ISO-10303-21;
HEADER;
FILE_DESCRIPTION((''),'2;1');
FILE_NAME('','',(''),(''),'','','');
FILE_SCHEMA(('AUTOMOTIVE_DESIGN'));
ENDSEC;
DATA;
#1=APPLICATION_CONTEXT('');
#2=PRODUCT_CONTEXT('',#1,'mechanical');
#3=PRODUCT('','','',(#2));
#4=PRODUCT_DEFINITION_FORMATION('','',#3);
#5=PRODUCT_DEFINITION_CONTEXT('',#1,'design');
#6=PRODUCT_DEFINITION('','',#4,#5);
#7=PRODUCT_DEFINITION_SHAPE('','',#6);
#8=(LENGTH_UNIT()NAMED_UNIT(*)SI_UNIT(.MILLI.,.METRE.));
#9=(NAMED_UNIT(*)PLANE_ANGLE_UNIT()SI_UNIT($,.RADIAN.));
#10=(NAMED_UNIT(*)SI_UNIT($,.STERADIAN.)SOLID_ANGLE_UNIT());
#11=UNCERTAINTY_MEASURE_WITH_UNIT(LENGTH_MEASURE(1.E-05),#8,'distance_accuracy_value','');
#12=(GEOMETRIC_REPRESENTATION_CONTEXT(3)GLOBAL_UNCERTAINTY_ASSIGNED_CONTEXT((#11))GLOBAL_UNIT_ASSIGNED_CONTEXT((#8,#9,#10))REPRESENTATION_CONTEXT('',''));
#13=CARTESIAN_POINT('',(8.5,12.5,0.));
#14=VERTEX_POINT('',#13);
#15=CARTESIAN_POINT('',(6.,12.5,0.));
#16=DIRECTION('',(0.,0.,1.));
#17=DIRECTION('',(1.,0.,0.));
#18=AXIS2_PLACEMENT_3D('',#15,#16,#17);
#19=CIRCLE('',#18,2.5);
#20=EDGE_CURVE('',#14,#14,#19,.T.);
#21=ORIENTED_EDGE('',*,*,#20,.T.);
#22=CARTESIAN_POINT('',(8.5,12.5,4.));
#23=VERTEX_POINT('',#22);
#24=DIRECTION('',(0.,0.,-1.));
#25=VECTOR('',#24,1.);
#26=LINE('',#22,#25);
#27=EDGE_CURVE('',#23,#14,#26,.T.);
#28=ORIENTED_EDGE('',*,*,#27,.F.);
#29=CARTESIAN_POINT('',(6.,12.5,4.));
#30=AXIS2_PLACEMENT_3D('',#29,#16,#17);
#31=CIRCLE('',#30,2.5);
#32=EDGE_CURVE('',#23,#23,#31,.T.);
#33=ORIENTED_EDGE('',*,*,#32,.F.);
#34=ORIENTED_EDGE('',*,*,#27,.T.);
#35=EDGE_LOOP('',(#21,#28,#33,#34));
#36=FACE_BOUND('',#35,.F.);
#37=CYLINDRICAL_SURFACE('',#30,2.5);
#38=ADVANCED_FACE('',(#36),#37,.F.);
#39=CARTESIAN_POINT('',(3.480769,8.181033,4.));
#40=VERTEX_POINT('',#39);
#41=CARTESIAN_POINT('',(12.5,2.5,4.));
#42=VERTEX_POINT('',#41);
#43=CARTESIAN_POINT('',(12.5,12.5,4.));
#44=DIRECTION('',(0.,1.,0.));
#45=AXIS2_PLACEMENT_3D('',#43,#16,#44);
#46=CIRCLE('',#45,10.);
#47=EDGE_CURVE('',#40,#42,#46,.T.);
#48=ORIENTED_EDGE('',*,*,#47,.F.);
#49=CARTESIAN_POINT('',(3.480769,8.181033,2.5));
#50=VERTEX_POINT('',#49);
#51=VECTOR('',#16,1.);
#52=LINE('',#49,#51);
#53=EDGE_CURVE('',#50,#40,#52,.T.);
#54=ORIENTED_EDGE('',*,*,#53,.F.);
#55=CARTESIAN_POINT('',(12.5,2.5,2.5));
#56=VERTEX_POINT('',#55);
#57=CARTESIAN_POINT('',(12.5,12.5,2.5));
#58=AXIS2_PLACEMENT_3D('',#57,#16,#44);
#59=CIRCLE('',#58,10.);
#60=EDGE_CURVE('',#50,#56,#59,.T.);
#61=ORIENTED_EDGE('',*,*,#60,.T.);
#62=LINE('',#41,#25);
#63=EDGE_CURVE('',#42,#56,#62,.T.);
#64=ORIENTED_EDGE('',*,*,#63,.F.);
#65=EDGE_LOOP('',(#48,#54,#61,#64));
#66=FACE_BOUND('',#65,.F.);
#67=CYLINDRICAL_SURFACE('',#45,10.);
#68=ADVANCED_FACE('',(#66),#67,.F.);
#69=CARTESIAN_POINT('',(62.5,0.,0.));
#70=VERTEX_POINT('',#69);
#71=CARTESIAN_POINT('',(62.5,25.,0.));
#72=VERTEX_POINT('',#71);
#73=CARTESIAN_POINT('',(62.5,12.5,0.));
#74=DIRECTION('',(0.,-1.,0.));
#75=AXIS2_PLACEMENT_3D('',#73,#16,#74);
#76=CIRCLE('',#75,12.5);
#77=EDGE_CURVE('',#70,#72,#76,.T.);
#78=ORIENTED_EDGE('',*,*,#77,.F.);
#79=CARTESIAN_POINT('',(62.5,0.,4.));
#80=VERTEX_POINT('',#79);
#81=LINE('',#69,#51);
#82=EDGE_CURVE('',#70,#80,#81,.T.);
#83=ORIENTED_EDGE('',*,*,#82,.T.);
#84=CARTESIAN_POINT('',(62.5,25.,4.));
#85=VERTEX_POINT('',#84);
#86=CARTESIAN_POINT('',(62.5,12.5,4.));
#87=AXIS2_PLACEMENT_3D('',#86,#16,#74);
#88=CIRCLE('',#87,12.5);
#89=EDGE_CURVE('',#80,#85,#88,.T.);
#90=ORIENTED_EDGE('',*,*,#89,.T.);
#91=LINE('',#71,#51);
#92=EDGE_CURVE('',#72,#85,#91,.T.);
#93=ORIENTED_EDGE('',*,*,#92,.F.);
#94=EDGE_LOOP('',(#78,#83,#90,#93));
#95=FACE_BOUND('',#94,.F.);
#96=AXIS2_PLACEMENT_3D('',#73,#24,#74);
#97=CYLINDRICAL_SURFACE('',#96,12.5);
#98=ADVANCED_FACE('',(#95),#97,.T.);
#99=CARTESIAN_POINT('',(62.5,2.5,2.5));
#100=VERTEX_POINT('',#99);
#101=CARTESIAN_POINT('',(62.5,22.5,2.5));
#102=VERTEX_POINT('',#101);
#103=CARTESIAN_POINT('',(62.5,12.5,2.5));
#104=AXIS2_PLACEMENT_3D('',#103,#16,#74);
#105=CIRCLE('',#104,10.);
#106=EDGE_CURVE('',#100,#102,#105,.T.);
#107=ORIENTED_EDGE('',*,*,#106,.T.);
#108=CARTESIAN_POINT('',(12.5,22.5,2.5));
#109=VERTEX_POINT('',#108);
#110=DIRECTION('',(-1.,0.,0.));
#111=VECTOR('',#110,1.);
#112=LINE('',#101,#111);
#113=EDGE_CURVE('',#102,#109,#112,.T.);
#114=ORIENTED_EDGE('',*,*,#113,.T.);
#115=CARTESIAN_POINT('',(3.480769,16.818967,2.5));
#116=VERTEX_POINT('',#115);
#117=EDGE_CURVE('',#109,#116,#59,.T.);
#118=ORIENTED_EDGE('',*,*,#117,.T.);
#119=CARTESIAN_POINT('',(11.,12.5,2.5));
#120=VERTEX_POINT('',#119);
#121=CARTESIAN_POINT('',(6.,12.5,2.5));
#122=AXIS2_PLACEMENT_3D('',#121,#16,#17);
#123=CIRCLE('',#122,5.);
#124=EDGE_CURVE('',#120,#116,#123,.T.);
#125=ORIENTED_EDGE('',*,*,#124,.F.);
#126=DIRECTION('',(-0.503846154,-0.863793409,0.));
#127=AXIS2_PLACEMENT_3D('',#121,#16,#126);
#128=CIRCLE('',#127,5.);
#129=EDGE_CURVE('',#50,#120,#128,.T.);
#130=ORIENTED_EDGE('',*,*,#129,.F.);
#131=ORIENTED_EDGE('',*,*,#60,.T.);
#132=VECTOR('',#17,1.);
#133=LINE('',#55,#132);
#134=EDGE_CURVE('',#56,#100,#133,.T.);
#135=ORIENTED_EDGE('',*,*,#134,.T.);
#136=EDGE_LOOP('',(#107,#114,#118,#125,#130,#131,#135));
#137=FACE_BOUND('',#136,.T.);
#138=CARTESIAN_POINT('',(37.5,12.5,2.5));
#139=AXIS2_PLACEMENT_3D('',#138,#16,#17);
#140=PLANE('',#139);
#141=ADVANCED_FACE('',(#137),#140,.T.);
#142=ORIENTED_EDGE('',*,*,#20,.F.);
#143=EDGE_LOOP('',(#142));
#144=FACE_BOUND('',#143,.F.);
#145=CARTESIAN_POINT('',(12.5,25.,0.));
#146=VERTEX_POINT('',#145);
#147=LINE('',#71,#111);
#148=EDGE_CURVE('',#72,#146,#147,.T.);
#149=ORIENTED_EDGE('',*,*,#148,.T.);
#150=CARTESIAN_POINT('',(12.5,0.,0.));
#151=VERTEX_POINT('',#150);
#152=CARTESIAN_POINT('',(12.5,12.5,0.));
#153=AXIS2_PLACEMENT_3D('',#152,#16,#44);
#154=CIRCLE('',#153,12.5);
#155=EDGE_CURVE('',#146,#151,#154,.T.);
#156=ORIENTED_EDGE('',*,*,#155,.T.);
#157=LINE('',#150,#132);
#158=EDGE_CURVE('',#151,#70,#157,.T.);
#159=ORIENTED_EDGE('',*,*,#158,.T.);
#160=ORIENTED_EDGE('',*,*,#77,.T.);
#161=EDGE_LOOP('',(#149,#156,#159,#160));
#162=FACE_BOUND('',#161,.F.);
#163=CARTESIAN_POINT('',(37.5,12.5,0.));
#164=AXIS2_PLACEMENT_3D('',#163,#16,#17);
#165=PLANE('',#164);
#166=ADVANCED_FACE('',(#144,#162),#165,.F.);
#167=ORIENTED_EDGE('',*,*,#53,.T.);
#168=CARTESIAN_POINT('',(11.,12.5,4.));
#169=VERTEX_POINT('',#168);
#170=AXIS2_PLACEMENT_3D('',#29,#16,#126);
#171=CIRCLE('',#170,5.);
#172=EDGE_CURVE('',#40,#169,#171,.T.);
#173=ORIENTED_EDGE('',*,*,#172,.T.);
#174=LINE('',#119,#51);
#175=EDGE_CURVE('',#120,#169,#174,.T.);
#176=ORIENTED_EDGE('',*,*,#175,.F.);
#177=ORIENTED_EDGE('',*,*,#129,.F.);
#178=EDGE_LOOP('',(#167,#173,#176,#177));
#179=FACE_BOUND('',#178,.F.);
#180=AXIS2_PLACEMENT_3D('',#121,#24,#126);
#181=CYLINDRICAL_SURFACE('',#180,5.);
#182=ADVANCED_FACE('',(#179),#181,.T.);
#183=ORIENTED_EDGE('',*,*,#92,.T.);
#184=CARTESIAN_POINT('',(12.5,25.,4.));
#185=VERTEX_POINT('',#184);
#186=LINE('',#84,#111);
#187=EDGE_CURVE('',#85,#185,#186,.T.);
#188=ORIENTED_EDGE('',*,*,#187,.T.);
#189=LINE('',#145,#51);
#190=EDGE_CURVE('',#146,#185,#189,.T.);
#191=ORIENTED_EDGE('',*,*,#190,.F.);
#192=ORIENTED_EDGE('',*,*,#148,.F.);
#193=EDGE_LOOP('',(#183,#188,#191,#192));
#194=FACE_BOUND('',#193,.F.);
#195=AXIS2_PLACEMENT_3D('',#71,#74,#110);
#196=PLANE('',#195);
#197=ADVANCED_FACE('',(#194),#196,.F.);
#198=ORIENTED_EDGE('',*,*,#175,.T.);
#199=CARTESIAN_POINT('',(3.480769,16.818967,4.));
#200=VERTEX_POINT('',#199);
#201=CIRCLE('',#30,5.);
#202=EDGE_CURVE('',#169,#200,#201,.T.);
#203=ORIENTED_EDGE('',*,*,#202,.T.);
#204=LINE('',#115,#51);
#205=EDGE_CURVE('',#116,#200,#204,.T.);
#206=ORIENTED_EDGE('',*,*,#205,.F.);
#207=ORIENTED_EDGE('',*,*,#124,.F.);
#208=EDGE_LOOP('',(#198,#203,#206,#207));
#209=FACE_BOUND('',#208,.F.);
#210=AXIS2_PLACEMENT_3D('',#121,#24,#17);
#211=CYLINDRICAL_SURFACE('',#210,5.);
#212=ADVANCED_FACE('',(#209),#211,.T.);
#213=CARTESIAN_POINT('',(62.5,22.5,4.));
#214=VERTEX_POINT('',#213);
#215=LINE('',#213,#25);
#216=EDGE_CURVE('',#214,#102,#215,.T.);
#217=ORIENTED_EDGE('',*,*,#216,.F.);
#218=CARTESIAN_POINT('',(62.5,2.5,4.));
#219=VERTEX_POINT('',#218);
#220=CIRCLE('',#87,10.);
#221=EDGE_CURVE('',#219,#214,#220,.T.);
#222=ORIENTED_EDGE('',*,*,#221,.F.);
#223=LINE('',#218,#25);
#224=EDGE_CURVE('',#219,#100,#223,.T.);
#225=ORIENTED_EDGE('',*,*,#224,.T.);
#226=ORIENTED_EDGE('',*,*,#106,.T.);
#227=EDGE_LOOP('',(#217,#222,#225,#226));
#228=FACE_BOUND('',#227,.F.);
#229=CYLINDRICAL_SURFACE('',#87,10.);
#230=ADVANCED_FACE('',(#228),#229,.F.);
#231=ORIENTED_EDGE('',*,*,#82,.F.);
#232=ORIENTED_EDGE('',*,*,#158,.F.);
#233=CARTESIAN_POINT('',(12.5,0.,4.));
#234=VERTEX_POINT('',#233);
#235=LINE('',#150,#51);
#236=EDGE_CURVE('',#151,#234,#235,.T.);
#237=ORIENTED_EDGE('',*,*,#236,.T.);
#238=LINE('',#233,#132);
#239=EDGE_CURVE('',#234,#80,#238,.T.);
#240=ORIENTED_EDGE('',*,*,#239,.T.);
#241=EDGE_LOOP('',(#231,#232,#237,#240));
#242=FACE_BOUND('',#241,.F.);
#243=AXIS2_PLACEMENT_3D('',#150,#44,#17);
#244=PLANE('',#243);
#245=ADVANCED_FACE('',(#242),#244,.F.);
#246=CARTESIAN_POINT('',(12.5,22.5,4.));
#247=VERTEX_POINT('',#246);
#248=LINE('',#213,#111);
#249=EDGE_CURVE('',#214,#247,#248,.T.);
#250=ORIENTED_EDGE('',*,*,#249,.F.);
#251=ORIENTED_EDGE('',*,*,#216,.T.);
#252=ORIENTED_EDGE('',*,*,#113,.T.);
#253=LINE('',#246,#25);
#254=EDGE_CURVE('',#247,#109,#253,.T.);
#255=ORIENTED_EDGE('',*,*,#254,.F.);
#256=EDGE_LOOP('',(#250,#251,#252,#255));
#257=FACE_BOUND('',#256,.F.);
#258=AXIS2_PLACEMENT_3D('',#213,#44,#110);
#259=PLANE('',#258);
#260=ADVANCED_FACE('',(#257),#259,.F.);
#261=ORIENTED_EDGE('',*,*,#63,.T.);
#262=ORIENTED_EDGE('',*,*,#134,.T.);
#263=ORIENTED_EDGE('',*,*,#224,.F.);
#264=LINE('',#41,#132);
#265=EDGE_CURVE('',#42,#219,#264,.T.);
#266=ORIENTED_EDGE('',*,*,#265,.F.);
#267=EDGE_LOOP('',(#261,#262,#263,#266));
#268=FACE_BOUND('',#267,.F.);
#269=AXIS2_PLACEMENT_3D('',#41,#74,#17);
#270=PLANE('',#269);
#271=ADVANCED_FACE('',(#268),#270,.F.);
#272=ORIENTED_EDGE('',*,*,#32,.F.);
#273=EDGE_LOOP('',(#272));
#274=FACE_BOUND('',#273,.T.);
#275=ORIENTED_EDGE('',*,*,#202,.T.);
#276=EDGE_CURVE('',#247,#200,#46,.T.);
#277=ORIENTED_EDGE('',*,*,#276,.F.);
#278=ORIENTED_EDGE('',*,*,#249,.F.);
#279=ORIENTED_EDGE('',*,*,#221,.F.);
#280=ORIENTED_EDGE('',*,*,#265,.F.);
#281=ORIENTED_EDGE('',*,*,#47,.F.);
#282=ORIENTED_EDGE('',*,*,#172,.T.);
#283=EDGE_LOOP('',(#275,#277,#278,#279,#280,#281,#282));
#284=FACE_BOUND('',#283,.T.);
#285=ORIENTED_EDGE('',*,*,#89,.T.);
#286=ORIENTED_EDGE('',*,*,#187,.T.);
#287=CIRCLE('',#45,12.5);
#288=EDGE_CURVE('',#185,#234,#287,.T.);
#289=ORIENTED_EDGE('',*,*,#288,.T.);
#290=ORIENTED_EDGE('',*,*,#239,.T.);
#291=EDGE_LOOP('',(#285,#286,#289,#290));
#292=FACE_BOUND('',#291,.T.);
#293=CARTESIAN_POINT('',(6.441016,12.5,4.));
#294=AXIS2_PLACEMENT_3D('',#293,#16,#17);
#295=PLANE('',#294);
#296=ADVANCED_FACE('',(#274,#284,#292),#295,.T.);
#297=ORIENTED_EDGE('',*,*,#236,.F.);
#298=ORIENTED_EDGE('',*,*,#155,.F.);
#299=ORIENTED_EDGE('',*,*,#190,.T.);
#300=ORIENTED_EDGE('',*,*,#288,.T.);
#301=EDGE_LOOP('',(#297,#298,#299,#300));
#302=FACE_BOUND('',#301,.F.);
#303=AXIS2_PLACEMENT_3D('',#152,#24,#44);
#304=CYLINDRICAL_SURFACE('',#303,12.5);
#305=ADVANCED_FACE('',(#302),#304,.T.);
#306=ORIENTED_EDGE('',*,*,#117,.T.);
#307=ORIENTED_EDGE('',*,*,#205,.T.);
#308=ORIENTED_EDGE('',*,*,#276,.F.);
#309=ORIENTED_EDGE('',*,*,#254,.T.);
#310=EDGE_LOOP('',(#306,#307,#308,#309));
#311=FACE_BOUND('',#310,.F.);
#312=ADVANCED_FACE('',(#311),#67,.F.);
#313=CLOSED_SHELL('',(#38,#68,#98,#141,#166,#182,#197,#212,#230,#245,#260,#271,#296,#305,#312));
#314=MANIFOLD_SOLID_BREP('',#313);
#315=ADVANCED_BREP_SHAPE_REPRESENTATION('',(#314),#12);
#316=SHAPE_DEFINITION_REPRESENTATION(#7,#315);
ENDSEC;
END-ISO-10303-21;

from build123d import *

# Parameters (mm, degrees)
F1_DEPTH = 4
F3_DEPTH = 1.5
F5_DEPTH = 1.5
F6_DEPTH = 1.5
F7_R     = 2.5
F8_DEPTH = 25


with BuildPart() as f1:
    # F0 (on Top) → F1 (new body)
    with BuildSketch(Plane.XY):
        with BuildLine():
            ThreePointArc((12.5, 25), (0, 12.5), (12.5, 0))
            Line((12.5, 0), (62.5, 0))
            ThreePointArc((62.5, 0), (75, 12.5), (62.5, 25))
            Line((62.5, 25), (12.5, 25))
        make_face()
    extrude(amount=F1_DEPTH)

    # F2 (on face) → F3 (cut)
    with BuildSketch(Plane.XY.offset(4)):
        with BuildLine():
            Line((62.5, 22.5), (12.5, 22.5))
            ThreePointArc((12.5, 22.5), (2.5, 12.5), (12.5, 2.5))
            Line((12.5, 2.5), (62.5, 2.5))
            ThreePointArc((62.5, 2.5), (72.5, 12.5), (62.5, 22.5))
        make_face()
    extrude(amount=-F3_DEPTH, mode=Mode.SUBTRACT)

    # F4 (on face) → F5 (join)
    with BuildSketch(Plane.XY.offset(2.5)):
        with BuildLine():
            ThreePointArc((3.4807692308, 8.1810329555), (2.5, 12.5), (3.4807692308, 16.8189670445))
            ThreePointArc((3.4807692308, 16.8189670445), (1, 12.5), (3.4807692308, 8.1810329555))
        make_face()
    extrude(amount=F5_DEPTH)

    # F4 (on face) → F6 (join)
    with BuildSketch(Plane.XY.offset(2.5)):
        with BuildLine():
            ThreePointArc((3.4807692308, 8.1810329555), (8.4903660528, 8.1643250902), (11, 12.5))
            ThreePointArc((11, 12.5), (8.4903660528, 16.8356749098), (3.4807692308, 16.8189670445))
            ThreePointArc((3.4807692308, 16.8189670445), (2.5, 12.5), (3.4807692308, 8.1810329555))
        make_face()
    extrude(amount=F6_DEPTH)

    # F7 (on face) → F8 (cut)
    with BuildSketch(Plane.XY.offset(4)):
        with Locations((6, 12.5)):
            Circle(F7_R)
    extrude(amount=-F8_DEPTH, mode=Mode.SUBTRACT)


solid = f1.part
